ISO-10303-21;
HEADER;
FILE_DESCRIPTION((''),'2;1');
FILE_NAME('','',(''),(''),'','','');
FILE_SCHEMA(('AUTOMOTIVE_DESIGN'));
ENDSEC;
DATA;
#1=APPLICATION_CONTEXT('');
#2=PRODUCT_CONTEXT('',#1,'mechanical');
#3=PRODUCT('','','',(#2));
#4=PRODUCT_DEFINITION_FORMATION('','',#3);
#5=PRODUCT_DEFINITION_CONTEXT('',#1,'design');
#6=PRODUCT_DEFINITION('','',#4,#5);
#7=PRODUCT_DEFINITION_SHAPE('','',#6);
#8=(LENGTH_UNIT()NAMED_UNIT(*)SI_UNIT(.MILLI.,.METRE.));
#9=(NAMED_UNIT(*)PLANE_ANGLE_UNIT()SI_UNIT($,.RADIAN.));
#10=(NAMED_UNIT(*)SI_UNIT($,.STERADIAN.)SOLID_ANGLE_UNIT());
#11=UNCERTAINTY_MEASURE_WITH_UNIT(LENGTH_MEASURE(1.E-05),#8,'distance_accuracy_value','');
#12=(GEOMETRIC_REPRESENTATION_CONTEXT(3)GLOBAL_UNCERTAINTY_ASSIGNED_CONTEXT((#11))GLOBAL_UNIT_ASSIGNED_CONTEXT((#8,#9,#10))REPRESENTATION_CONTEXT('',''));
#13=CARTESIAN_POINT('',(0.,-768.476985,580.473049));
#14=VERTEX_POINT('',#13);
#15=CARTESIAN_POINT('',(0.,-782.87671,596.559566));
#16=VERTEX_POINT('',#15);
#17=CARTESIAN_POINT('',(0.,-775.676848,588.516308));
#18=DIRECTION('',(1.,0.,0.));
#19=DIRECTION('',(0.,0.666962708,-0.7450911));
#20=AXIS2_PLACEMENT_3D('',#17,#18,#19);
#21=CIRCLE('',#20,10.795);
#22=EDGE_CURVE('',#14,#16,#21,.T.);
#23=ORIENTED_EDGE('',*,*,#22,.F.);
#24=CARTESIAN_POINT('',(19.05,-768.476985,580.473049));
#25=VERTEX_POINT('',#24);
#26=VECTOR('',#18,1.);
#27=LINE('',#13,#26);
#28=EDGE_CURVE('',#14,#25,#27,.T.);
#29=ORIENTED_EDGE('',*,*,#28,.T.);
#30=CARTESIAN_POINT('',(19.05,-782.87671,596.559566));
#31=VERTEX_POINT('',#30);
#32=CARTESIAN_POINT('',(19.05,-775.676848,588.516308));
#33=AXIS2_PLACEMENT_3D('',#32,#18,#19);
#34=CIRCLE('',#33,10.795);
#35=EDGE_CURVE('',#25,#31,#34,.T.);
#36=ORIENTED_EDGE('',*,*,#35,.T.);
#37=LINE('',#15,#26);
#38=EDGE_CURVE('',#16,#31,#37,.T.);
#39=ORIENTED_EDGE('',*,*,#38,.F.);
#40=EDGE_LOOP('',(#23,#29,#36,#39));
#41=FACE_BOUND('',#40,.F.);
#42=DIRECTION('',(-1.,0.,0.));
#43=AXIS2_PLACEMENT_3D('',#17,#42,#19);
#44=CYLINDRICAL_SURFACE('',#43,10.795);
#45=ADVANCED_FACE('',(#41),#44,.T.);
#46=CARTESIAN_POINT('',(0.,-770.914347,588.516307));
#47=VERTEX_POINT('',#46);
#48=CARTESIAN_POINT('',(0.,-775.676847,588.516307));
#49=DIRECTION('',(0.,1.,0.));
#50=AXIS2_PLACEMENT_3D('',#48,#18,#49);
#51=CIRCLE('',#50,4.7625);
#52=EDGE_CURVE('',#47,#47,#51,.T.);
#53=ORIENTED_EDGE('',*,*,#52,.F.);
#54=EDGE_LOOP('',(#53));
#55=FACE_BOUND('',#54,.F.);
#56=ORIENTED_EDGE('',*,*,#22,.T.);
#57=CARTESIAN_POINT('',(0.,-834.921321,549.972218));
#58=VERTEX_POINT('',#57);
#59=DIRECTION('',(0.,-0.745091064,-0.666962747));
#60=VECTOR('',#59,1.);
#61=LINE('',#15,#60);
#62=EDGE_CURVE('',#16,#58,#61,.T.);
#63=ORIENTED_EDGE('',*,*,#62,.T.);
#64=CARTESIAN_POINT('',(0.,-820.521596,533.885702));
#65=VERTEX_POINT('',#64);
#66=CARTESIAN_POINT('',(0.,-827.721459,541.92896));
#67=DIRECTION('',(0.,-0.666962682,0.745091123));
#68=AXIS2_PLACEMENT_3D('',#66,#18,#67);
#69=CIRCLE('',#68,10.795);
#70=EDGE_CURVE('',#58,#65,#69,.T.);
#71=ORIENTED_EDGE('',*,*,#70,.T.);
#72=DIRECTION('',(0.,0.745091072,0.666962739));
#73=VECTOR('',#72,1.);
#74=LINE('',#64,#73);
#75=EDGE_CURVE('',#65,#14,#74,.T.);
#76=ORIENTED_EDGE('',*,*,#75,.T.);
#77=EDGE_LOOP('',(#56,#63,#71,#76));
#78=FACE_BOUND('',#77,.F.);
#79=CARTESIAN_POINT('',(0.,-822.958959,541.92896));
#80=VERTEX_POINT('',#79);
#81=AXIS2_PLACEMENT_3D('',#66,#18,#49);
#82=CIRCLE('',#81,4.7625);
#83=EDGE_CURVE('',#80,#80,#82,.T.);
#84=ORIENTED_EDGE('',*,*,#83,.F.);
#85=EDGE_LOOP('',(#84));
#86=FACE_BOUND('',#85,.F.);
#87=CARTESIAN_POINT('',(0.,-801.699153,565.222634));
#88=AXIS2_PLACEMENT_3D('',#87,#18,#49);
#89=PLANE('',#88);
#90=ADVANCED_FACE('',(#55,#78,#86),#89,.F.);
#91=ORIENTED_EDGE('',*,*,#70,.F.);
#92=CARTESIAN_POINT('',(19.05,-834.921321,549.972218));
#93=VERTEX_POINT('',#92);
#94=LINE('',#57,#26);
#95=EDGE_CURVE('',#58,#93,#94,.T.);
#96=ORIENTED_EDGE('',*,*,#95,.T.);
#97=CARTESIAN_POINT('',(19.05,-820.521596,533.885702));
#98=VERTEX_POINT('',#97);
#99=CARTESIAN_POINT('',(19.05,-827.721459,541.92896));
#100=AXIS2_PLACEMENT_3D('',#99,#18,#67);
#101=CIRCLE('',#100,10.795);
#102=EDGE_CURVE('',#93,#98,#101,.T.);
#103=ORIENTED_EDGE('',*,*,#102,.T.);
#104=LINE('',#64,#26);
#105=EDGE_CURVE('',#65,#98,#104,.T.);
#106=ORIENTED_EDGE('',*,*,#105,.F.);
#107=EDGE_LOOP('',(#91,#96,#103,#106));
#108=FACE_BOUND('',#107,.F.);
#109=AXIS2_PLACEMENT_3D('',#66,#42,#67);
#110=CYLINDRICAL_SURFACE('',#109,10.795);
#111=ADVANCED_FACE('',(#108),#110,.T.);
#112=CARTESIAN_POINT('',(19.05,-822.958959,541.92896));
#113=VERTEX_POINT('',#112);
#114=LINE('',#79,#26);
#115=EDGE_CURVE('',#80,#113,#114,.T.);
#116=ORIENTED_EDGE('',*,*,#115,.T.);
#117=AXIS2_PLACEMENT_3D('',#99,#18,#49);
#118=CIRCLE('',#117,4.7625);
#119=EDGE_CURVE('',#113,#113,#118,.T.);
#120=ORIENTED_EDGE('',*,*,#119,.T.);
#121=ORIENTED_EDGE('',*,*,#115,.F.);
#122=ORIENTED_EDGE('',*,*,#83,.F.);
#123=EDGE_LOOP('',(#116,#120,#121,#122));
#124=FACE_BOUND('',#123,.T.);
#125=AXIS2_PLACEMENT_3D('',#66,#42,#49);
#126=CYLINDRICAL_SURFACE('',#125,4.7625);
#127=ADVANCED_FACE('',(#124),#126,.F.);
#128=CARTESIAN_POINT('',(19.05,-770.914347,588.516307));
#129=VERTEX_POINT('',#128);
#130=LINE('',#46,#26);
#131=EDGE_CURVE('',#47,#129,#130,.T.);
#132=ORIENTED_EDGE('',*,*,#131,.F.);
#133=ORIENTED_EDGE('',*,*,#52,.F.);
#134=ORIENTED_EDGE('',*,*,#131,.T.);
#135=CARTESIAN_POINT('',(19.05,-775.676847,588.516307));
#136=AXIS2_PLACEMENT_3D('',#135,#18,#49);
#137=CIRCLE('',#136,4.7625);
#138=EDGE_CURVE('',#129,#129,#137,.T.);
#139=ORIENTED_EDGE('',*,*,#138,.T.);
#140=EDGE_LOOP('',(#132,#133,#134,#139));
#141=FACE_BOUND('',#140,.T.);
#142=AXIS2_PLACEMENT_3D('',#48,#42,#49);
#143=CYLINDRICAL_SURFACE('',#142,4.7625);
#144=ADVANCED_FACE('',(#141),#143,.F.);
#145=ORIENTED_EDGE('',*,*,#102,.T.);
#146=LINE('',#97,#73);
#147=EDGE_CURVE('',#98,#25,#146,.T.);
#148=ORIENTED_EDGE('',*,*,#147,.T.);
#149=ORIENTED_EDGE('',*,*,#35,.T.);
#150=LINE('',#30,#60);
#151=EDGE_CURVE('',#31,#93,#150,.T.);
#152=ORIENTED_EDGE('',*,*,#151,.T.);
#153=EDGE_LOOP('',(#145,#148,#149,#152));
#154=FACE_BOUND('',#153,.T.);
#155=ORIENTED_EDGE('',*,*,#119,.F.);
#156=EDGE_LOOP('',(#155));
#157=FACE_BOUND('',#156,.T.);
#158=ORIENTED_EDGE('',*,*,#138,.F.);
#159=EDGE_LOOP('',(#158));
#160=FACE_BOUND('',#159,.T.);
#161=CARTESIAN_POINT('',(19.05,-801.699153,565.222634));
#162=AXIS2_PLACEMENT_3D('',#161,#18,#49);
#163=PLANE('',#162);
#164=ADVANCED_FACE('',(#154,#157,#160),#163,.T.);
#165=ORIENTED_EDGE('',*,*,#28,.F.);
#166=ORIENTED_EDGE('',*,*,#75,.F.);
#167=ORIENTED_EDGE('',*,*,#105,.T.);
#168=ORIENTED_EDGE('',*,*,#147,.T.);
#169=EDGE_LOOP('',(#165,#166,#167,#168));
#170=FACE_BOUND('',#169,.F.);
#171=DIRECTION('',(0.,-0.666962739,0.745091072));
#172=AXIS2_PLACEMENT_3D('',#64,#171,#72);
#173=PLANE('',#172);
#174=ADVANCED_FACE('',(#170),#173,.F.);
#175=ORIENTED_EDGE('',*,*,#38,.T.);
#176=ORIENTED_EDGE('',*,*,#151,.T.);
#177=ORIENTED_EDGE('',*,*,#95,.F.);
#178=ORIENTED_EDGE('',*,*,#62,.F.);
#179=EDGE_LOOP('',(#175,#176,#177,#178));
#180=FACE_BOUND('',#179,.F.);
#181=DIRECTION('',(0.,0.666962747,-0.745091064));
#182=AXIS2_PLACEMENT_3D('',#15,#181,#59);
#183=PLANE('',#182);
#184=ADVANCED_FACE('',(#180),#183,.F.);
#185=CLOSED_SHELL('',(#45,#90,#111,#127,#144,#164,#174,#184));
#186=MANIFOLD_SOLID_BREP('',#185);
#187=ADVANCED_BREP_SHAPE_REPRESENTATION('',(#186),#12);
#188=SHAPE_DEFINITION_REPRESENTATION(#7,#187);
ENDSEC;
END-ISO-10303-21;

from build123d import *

# Parameters (mm, degrees)
F2_R     = 4.7625
F3_DEPTH = 19.05


with BuildPart() as f3:
    # F2 (on Right) → F3 (new body)
    with BuildSketch(Plane.YZ):
        with BuildLine():
            ThreePointArc((-768.476985, 580.473049), (-767.633589, 595.71617), (-782.87671, 596.559566))
            Line((-782.87671, 596.559566), (-834.921321, 549.972218))
            ThreePointArc((-834.921321, 549.972218), (-835.764717, 534.729097), (-820.521596, 533.885702))
            Line((-820.521596, 533.885702), (-768.476985, 580.473049))
        make_face()
        with Locations((-827.721459, 541.92896)):
            Circle(F2_R, mode=Mode.SUBTRACT)
        with Locations((-775.676847, 588.516307)):
            Circle(F2_R, mode=Mode.SUBTRACT)
    extrude(amount=F3_DEPTH)


solid = f3.part
